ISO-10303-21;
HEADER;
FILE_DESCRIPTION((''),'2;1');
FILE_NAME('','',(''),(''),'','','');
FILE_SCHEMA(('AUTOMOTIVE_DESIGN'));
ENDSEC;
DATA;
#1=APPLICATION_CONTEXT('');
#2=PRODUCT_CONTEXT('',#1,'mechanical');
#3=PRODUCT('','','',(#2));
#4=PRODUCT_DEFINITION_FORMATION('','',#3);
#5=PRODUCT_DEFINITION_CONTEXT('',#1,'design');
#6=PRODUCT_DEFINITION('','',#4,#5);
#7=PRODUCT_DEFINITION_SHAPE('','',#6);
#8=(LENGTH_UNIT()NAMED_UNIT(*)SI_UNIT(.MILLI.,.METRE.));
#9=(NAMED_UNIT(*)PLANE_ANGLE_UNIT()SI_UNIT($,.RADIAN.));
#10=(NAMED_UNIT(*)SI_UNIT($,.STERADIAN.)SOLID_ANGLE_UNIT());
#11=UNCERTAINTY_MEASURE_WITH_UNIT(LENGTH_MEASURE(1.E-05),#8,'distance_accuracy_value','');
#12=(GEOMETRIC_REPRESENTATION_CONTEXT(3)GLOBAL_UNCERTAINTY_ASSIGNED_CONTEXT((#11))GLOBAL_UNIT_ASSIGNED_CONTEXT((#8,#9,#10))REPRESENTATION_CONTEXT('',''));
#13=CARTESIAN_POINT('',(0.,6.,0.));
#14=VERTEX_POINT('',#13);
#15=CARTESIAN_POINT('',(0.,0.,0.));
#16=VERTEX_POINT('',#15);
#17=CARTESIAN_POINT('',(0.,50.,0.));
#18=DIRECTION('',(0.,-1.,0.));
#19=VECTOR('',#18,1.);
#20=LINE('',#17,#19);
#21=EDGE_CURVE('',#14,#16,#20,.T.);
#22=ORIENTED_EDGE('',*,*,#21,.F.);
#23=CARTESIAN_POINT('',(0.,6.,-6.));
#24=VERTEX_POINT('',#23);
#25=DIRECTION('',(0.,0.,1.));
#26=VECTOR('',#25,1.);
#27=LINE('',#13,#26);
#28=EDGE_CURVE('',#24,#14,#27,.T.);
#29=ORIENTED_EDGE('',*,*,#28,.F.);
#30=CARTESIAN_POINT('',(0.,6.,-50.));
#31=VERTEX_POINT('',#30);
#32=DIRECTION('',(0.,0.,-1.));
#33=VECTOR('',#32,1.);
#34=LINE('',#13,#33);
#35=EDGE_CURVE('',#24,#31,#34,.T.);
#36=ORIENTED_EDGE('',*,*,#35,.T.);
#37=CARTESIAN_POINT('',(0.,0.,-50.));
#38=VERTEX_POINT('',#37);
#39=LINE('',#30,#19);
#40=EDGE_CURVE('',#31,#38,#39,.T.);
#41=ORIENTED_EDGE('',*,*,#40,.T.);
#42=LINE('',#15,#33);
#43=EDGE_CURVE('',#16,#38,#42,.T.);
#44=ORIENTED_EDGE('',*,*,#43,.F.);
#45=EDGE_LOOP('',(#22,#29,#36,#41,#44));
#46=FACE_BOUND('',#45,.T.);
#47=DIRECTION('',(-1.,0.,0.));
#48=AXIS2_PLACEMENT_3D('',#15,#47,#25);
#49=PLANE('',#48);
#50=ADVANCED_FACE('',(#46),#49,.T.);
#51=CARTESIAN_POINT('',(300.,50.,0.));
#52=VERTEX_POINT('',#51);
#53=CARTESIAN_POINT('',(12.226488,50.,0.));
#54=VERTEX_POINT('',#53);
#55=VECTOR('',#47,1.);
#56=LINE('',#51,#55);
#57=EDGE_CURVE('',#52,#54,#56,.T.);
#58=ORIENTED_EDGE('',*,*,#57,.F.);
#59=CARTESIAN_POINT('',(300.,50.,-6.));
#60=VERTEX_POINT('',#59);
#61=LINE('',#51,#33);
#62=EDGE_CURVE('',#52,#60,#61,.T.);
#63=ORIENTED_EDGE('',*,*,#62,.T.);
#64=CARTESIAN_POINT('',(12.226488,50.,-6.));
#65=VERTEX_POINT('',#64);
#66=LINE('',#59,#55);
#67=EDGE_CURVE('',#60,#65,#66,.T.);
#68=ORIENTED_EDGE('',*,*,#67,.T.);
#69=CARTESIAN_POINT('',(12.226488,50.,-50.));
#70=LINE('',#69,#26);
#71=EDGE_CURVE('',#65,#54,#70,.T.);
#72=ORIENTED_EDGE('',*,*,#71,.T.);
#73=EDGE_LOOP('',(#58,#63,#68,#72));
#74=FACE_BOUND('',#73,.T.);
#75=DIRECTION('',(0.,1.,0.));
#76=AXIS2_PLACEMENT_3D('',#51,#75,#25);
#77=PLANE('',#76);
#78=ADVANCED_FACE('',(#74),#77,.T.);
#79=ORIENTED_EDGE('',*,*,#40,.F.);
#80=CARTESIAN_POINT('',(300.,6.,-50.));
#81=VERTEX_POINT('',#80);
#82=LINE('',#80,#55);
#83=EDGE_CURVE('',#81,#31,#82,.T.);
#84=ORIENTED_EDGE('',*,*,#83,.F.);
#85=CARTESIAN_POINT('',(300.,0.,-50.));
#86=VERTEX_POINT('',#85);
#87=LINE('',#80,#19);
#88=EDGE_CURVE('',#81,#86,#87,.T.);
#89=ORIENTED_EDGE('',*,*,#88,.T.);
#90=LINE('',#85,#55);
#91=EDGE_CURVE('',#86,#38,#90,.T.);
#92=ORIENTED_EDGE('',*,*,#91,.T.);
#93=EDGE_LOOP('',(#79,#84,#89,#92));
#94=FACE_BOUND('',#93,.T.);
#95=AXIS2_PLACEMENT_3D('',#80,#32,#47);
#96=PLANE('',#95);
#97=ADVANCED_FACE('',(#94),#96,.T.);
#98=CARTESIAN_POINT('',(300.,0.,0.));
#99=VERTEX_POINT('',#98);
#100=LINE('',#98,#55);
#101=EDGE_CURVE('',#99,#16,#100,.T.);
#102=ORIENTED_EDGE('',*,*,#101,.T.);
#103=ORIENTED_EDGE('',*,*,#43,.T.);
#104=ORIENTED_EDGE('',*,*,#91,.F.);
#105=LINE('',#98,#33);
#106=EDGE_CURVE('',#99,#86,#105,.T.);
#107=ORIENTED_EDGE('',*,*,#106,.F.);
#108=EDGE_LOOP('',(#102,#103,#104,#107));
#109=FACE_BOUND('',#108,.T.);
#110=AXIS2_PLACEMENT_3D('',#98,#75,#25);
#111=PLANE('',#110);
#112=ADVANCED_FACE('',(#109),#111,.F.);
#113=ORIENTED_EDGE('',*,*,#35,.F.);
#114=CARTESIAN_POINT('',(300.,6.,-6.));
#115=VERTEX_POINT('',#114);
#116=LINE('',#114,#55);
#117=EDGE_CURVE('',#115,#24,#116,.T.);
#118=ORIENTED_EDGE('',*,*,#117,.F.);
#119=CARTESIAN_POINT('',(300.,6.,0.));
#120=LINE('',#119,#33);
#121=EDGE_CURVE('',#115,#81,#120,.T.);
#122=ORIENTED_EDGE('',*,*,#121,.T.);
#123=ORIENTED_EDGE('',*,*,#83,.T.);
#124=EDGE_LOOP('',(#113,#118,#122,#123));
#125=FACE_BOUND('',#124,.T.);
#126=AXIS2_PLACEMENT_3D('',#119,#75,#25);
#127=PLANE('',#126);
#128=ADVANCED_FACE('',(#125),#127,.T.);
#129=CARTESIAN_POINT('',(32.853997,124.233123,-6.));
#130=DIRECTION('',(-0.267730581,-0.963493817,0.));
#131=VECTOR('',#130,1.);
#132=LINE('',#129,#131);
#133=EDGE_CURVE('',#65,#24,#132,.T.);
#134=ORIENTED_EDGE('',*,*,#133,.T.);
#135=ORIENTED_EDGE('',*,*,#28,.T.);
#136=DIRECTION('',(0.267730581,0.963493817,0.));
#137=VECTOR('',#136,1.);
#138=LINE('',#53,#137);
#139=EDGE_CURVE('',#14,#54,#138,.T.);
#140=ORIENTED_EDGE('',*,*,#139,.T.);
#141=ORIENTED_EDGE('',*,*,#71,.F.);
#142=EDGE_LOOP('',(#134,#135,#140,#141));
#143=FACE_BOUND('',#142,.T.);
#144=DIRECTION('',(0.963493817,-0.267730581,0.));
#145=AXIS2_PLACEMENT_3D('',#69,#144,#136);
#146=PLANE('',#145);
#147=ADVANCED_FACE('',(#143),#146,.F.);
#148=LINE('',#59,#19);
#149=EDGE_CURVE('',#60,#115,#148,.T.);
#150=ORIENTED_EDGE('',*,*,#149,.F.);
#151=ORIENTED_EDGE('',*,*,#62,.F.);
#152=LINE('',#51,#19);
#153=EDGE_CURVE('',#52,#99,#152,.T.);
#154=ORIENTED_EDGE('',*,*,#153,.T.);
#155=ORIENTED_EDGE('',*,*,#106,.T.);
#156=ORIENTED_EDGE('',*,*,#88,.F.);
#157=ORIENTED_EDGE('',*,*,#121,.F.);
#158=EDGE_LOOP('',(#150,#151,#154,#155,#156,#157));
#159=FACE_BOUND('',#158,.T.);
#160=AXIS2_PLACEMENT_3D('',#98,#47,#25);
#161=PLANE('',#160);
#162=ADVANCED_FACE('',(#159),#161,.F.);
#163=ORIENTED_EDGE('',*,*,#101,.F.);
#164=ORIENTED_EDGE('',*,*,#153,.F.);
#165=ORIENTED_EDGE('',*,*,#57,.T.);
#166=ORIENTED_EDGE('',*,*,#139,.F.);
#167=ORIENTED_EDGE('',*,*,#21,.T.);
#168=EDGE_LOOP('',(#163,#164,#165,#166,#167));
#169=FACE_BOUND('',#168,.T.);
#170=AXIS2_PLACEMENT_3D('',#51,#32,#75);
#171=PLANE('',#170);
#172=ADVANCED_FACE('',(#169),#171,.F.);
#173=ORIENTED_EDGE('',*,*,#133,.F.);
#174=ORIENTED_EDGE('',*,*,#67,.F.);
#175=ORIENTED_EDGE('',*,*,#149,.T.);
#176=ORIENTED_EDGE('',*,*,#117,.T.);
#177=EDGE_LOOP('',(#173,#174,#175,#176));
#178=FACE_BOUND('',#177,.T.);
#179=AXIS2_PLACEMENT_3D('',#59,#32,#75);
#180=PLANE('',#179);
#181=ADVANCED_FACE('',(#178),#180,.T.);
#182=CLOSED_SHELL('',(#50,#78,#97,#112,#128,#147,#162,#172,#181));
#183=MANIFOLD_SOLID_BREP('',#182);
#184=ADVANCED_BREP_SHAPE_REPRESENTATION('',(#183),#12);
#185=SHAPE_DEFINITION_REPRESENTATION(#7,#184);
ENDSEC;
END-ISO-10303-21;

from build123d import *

# Parameters (mm, degrees)
EXTRUDE_1_DEPTH     = 300
CUT_EXTRUDE_1_DEPTH = 51


with BuildPart() as part:
    # Эскиз1 → Вытянуть-Тонкостенный1 (new body)
    with BuildSketch(Plane(origin=(0, 0, 0), x_dir=(0, 0, -1), z_dir=(1, 0, 0))):
        Polygon((0, 50), (0, 0), (50, 0), (50, 6), (6, 6), (6, 50), align=None)
    extrude(amount=EXTRUDE_1_DEPTH)

    # Эскиз2 → Вырез-Вытянуть1 (cut, through all)
    with BuildSketch(Plane.XY):
        Polygon((0, 50), (12.226487967, 50), (0, 6), align=None)
    extrude(amount=-CUT_EXTRUDE_1_DEPTH, mode=Mode.SUBTRACT)


solid = part.part
